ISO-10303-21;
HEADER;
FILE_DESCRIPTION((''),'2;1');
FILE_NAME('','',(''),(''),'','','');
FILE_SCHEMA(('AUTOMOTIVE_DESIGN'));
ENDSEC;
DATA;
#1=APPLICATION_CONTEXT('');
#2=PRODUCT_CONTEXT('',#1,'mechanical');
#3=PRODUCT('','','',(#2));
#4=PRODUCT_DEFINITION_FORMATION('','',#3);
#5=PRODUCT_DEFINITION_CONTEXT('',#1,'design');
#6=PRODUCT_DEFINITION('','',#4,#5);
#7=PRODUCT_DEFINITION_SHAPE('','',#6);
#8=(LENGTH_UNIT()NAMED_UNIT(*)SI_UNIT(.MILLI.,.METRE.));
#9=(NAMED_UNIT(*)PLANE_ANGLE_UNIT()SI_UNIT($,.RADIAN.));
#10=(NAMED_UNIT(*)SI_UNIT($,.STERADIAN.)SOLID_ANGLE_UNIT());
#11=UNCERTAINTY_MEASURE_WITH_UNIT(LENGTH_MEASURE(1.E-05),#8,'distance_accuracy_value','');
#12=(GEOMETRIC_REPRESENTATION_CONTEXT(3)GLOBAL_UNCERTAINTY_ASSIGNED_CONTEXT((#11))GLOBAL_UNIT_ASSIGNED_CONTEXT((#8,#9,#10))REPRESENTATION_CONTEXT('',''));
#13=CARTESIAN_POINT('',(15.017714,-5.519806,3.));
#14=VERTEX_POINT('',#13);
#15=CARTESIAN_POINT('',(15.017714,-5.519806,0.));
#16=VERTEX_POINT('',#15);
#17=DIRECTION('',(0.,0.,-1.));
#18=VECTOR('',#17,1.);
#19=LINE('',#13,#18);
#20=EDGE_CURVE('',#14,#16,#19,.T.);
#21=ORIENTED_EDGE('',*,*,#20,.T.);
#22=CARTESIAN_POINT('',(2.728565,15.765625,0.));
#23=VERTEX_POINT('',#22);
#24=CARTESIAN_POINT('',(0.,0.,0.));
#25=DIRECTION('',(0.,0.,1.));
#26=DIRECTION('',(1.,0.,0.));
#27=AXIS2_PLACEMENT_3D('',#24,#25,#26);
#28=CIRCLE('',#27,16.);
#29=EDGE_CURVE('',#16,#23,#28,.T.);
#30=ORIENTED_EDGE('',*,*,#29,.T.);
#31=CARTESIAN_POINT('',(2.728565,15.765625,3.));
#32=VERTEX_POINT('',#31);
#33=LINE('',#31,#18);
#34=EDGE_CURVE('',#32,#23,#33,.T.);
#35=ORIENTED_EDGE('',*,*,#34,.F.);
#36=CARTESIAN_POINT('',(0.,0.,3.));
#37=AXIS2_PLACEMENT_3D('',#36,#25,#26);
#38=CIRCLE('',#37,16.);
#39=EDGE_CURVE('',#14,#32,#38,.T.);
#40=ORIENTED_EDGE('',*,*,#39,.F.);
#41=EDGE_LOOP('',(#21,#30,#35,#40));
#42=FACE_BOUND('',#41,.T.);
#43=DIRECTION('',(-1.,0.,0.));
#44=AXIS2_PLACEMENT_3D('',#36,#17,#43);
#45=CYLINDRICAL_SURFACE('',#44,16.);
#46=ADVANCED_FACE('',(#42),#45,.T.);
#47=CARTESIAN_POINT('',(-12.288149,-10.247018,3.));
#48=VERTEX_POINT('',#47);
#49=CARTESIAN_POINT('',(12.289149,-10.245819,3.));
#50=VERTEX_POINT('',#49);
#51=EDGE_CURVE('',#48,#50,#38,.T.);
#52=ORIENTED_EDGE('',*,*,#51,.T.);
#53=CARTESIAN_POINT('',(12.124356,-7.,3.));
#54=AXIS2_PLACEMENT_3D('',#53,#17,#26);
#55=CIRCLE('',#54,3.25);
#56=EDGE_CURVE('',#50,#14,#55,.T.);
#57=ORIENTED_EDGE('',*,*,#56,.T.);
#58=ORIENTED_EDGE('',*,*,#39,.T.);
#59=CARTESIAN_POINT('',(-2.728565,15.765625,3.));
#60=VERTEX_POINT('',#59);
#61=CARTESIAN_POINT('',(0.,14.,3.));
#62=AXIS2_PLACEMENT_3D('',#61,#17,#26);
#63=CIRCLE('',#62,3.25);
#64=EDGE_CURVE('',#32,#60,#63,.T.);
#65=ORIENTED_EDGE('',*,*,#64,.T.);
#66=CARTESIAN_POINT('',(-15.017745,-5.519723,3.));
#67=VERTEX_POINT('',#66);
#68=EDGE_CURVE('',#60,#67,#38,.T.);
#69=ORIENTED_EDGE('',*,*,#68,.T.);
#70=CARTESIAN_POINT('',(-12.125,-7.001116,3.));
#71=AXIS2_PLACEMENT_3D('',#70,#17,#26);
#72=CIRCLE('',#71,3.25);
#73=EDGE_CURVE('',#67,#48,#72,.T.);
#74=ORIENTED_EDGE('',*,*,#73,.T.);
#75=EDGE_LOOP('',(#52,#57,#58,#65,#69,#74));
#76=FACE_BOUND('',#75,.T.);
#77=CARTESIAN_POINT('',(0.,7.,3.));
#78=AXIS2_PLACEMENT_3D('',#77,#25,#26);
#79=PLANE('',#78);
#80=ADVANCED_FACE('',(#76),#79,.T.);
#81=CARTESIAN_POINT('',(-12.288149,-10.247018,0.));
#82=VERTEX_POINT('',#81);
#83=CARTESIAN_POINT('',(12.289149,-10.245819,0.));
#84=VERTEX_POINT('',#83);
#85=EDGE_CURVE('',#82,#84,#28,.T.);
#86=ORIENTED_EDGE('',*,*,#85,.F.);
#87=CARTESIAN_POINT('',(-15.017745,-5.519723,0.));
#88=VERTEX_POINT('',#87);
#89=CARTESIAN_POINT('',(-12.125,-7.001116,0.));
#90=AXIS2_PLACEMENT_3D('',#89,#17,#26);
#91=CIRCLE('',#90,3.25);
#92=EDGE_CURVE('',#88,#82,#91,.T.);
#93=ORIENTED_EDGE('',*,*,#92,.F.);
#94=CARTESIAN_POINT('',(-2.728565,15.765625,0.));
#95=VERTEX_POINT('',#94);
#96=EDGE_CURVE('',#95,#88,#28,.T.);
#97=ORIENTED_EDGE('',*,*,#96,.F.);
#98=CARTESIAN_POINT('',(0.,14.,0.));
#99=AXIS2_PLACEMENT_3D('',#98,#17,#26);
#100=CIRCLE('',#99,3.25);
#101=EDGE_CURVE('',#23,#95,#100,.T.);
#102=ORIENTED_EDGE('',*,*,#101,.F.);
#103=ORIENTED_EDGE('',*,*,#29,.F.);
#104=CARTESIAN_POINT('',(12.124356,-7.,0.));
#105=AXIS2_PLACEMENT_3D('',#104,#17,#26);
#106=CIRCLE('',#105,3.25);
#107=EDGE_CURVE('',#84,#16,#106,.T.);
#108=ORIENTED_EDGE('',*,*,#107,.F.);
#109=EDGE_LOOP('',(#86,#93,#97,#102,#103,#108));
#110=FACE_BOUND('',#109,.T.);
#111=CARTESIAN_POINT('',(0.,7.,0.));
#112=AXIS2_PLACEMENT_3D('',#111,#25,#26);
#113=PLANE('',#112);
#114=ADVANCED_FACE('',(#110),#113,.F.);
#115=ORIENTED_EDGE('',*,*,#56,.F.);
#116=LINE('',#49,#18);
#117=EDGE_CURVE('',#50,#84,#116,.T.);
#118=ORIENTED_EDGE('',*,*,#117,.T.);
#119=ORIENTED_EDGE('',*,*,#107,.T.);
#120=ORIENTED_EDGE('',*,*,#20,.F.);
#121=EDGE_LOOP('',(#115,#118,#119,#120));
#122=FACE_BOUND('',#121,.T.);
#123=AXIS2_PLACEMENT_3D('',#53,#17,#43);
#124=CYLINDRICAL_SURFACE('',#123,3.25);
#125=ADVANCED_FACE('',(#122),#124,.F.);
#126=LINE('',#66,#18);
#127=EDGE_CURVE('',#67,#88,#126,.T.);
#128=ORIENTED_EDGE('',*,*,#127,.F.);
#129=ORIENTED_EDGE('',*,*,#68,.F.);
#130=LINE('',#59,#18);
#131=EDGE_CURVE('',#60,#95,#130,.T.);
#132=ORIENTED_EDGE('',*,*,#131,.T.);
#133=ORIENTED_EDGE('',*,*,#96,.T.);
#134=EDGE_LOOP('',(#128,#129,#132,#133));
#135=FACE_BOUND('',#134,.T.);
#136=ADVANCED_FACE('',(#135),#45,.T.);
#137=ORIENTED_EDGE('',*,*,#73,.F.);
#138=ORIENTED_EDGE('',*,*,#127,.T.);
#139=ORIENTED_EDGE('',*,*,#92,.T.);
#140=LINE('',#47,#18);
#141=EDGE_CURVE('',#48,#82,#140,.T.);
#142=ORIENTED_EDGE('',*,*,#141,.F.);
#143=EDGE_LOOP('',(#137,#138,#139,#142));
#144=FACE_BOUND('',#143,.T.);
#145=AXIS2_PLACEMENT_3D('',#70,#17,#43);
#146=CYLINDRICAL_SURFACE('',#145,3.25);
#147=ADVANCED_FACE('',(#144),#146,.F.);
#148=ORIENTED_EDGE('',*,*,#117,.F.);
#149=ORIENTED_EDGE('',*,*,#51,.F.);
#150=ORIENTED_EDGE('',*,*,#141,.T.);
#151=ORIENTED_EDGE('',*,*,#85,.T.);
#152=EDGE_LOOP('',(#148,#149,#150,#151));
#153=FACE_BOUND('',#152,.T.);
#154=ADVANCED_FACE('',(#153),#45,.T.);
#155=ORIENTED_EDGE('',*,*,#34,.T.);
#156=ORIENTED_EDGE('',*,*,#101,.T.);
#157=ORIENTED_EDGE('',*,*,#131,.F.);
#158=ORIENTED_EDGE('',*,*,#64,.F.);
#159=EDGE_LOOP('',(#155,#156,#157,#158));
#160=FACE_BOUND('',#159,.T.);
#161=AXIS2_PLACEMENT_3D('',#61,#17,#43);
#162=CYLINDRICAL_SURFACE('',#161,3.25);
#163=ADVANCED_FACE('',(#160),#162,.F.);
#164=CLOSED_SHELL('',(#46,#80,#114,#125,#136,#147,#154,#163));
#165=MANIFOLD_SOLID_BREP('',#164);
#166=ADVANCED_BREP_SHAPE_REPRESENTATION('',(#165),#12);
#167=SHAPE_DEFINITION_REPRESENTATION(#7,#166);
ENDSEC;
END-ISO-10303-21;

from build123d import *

# Parameters (mm, degrees)
BOSS_EXTRU_2_DEPTH = 3


with BuildPart() as part:
    # Esquisse1 → Boss.-Extru.2 (new body)
    with BuildSketch(Plane.XY):
        with BuildLine():
            ThreePointArc((-12.288149304, -10.247018429), (0.000780623, -15.999999981), (12.289149128, -10.245819328))
            ThreePointArc((12.289149128, -10.245819328), (9.309773091, -5.375), (15.017714385, -5.519805672))
            ThreePointArc((15.017714385, -5.519805672), (13.856406461, 8), (2.728565257, 15.765625))
            ThreePointArc((2.728565257, 15.765625), (0, 10.75), (-2.728565257, 15.765625))
            ThreePointArc((-2.728565257, 15.765625), (-13.856384318, 8.000038352), (-15.01774494, -5.519722539))
            ThreePointArc((-15.01774494, -5.519722539), (-9.310492225, -5.375986513), (-12.288149304, -10.247018429))
        make_face()
    extrude(amount=BOSS_EXTRU_2_DEPTH)


solid = part.part
